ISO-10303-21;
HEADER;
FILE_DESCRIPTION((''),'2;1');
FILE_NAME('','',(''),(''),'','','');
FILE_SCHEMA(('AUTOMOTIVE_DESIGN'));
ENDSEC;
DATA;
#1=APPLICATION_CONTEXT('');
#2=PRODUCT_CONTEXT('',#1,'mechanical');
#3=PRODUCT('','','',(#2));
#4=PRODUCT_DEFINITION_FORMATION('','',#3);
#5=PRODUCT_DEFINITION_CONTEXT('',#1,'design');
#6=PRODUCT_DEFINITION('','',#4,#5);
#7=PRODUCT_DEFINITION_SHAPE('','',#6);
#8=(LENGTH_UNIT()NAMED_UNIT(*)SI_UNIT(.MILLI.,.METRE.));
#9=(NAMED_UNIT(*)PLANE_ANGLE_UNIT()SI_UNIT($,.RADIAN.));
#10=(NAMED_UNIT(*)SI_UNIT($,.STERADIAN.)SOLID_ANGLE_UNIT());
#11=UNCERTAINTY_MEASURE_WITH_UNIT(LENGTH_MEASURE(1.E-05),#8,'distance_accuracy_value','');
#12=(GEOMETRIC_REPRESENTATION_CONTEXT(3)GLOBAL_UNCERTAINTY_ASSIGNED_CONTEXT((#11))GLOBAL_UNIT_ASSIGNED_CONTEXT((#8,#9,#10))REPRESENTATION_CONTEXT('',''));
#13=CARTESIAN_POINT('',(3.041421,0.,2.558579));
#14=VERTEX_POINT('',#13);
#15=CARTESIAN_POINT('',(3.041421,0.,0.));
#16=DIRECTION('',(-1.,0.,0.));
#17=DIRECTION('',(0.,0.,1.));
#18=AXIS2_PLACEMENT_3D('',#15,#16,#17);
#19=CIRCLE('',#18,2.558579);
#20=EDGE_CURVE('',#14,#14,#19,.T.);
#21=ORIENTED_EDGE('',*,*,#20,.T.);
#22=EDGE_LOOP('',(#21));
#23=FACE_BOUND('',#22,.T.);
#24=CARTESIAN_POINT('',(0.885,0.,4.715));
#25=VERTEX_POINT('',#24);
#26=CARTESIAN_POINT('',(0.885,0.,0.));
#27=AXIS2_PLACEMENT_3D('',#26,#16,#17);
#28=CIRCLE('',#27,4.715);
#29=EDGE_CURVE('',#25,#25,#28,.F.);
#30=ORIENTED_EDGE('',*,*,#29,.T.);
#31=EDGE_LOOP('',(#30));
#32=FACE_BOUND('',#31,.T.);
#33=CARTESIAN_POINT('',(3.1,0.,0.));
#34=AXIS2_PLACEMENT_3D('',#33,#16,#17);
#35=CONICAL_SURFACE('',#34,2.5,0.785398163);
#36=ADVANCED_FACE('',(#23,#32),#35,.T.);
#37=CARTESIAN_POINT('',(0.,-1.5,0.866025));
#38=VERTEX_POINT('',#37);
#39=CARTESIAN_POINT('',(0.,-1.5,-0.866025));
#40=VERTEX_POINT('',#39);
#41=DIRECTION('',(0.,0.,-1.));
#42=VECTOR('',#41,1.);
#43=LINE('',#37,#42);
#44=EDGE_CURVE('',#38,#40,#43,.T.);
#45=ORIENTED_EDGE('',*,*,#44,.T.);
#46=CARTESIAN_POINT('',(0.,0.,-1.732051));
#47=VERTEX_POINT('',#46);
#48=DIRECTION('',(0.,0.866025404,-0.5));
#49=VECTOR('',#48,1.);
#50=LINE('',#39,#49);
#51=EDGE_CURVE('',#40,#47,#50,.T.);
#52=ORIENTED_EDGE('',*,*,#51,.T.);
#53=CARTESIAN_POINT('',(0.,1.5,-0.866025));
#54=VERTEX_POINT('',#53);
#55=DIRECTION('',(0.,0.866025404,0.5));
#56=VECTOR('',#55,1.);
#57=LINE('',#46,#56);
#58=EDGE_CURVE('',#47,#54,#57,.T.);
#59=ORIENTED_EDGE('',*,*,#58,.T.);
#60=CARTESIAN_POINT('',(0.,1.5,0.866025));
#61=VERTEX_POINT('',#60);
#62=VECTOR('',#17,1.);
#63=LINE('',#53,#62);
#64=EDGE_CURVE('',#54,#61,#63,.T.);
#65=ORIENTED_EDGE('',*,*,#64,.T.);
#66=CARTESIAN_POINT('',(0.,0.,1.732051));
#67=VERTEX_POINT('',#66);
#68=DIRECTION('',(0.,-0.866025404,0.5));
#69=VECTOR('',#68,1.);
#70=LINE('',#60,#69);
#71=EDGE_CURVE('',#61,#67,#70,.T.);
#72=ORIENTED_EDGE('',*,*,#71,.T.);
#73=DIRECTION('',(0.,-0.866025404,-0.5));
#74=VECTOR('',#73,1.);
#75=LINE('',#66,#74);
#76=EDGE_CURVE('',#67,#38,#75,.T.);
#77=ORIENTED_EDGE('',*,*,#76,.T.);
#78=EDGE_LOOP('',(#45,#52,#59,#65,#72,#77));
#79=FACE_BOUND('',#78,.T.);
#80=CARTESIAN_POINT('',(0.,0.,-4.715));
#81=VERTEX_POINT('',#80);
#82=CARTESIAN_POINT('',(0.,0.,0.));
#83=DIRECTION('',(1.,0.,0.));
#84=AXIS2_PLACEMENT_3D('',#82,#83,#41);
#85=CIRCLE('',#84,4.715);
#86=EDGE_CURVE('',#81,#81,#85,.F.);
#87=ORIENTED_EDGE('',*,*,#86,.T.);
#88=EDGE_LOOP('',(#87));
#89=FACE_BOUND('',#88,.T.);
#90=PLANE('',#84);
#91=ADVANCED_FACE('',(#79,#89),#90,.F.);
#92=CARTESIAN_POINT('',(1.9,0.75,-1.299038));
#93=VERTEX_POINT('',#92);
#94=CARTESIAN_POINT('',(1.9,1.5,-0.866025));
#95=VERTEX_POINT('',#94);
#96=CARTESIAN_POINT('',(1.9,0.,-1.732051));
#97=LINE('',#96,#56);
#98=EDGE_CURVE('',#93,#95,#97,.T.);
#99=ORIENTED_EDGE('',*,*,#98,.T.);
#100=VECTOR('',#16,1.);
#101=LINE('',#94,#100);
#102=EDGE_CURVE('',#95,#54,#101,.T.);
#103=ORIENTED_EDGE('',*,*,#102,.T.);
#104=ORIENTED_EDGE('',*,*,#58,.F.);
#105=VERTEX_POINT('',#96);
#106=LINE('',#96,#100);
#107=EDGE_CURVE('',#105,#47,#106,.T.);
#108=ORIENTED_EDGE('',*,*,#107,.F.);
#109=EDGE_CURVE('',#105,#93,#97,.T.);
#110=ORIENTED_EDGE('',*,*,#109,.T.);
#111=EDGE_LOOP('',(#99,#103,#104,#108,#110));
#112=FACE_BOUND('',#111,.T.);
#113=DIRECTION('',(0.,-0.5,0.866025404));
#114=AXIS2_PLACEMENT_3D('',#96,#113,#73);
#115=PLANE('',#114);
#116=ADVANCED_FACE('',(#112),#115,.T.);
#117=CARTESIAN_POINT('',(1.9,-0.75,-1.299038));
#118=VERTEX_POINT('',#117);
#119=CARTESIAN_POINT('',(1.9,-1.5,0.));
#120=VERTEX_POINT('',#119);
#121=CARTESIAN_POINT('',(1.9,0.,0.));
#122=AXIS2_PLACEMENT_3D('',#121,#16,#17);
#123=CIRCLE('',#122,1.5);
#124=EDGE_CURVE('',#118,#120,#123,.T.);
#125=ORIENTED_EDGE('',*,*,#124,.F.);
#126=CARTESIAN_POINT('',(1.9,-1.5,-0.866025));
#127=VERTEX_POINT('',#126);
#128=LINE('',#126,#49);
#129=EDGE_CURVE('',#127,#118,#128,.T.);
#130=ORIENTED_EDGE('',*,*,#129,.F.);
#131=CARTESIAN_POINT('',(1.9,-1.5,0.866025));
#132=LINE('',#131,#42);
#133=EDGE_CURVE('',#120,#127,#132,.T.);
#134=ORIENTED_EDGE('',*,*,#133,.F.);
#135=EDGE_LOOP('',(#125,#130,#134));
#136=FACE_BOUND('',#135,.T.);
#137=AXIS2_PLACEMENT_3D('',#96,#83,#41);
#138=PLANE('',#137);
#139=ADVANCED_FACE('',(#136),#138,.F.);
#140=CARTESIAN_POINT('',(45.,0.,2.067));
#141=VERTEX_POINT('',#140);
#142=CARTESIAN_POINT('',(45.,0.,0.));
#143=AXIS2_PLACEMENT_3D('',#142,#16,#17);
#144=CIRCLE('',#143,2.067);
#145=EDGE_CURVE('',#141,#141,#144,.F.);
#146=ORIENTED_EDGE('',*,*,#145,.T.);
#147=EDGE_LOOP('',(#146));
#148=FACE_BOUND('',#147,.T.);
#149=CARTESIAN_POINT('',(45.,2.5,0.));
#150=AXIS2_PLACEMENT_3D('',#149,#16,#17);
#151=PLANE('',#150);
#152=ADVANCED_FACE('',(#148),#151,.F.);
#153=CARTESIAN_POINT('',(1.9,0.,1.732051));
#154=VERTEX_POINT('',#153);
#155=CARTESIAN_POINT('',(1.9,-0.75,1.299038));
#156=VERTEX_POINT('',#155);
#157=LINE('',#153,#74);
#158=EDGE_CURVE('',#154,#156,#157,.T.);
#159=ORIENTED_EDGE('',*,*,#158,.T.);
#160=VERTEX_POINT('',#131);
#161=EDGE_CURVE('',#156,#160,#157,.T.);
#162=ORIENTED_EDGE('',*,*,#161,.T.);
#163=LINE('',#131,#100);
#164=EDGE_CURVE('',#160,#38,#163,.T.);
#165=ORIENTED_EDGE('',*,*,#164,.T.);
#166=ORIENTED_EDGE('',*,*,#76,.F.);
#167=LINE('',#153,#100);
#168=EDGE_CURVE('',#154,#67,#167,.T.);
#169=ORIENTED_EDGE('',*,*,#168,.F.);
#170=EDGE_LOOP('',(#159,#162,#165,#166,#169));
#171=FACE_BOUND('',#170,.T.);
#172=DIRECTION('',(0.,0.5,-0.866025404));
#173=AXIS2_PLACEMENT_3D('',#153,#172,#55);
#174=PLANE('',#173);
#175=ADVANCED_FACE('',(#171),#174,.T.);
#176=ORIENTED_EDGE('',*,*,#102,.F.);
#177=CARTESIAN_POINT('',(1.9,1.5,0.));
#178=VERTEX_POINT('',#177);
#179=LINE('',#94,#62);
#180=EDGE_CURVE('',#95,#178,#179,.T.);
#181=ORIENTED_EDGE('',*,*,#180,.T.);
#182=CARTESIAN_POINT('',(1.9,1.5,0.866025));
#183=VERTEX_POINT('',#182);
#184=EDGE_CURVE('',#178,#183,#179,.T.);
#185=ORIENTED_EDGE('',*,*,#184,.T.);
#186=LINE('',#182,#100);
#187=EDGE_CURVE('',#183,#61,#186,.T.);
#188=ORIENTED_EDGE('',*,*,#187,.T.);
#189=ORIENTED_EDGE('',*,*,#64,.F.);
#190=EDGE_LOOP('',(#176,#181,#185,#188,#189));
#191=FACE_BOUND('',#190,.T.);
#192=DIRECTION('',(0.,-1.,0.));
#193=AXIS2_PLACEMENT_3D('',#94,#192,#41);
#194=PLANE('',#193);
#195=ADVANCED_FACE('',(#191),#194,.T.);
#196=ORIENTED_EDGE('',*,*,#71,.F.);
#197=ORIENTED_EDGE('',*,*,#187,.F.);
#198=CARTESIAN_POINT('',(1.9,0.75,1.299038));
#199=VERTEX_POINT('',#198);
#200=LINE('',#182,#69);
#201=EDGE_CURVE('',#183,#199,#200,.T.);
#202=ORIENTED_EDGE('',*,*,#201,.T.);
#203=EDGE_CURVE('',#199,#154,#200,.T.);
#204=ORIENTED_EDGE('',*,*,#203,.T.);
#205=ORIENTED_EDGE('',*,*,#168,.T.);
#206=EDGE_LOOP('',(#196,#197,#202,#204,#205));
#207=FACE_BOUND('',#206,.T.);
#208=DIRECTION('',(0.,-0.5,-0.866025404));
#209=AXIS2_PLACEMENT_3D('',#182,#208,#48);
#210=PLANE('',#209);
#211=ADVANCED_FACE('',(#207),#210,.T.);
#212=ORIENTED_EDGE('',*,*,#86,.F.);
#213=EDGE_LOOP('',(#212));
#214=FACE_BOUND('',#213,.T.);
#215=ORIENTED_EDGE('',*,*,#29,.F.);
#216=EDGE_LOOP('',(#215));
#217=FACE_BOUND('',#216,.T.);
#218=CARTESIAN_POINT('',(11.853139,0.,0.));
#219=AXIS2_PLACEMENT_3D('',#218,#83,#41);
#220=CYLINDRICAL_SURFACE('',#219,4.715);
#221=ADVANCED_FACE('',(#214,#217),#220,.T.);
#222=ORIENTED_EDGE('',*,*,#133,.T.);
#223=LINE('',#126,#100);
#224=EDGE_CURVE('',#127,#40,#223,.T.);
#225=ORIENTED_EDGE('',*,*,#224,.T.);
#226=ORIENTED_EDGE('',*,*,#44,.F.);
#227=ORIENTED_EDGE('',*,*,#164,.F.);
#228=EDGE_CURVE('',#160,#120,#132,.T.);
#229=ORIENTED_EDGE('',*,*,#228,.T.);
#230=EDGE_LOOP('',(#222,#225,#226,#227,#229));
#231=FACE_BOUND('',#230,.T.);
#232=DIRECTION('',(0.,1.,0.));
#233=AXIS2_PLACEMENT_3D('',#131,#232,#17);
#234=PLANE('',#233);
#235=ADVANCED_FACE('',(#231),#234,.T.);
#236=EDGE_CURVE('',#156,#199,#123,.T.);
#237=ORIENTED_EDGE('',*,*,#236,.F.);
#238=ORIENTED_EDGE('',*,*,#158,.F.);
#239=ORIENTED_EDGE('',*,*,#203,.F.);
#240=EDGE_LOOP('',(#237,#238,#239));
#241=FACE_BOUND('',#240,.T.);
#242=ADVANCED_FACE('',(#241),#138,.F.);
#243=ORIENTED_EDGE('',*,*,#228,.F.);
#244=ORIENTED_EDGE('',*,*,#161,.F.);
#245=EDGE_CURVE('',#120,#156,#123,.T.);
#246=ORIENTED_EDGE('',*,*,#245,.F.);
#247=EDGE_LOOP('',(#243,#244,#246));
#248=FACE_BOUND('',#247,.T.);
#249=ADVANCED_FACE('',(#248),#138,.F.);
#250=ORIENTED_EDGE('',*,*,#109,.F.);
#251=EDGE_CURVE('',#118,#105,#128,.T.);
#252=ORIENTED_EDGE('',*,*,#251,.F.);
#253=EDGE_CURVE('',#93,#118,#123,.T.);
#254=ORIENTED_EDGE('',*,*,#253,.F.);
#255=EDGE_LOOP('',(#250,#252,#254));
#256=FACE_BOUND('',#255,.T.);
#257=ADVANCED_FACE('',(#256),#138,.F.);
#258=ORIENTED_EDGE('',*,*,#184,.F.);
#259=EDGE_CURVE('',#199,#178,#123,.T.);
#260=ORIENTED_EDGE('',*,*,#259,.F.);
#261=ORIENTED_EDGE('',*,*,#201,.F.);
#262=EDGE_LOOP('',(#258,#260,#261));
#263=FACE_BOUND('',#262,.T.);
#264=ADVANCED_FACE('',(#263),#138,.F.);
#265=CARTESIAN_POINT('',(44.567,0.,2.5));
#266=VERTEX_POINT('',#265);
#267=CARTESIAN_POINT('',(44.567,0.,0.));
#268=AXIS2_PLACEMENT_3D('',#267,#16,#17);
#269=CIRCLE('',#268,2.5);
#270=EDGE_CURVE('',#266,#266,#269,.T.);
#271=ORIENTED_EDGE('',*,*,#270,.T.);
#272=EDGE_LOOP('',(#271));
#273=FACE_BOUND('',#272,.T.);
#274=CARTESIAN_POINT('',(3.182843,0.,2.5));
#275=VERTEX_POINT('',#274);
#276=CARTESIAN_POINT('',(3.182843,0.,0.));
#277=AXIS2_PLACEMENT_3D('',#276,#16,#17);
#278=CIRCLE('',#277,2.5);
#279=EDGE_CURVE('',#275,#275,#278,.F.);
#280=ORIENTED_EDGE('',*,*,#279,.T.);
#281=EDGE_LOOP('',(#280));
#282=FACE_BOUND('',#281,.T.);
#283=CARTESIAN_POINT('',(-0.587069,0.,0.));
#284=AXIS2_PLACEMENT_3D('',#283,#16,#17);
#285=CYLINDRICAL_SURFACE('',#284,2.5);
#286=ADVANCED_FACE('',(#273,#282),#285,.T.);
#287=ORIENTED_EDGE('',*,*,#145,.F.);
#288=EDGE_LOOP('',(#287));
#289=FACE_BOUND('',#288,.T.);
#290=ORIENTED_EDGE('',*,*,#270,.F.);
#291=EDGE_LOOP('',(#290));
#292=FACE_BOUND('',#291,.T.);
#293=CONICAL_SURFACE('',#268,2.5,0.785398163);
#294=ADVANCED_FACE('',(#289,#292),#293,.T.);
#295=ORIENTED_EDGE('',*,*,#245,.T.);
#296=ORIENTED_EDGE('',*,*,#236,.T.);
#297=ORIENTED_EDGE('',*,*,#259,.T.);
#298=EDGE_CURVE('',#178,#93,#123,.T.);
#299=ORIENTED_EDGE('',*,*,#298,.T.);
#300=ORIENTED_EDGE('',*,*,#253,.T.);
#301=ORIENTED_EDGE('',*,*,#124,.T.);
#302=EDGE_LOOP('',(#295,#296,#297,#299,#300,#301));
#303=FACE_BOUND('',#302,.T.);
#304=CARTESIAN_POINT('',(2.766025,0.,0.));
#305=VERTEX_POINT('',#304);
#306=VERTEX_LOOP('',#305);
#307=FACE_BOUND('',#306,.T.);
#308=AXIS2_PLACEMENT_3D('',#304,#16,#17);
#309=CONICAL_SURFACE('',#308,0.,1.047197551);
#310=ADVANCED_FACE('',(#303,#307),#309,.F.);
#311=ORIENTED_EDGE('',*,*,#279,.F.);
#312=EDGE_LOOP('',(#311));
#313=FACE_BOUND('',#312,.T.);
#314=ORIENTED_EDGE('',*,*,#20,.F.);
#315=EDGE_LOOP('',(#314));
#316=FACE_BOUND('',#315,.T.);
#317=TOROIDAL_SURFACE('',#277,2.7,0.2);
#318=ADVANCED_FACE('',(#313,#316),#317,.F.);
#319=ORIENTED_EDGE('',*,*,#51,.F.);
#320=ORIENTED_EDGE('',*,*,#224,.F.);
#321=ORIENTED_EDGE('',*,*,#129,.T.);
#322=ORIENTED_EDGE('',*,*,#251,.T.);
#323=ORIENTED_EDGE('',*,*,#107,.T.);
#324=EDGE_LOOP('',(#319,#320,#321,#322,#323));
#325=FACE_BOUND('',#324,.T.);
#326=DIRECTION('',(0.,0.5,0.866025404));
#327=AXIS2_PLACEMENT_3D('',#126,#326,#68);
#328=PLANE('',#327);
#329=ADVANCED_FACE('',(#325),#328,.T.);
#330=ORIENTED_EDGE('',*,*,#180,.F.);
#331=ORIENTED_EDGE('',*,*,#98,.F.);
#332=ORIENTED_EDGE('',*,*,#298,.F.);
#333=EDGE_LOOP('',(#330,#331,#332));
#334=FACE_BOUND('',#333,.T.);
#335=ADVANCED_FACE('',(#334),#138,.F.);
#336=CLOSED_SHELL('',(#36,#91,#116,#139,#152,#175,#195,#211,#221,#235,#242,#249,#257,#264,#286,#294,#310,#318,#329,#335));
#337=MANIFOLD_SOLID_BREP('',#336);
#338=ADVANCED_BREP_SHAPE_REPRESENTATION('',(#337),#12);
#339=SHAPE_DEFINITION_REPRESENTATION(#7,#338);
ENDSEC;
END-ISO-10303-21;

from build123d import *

# Parameters (mm, degrees)
HEXAGONSOCKET_DEPTH = 1.9
HEADFILLET_R        = 0.2
CHAMFER_2_SIZE      = 0.433
SKETCH4_W           = 5
SKETCH4_H           = 5


with BuildPart() as part:
    # Sketch1 → Base (revolve)
    with BuildSketch(Plane.XY, mode=Mode.PRIVATE) as base_sk:
        Polygon((0, 0), (0, 5.6), (3.1, 2.5), (45, 2.5), (45, 0), align=None)
    revolve(base_sk.sketch.rotate(Axis((-0.587069181, 0, 0), (1, 0, 0)), 90), axis=Axis((-0.587069181, 0, 0), (1, 0, 0)))

    # Sketch2 → HexagonSocket (cut)
    with BuildSketch(Plane(origin=(0, 0, 0), x_dir=(0, 0, -1), z_dir=(1, 0, 0))):
        Polygon((1.732050808, 0), (0.866025404, 1.5), (-0.866025404, 1.5), (-1.732050808, 0), (-0.866025404, -1.5), (0.866025404, -1.5), align=None)
    extrude(amount=HEXAGONSOCKET_DEPTH, mode=Mode.SUBTRACT)

    # Sketch3 → Cut-Revolve1 (revolve, cut)
    with BuildSketch(Plane.XY, mode=Mode.PRIVATE) as cut_revolve1_sk:
        Polygon((1.9, 1.5), (2.766025404, 0), (1.9, 0), align=None)
    revolve(cut_revolve1_sk.sketch.rotate(Axis((-0.439109555, 0, 0), (1, 0, 0)), 90), axis=Axis((-0.439109555, 0, 0), (1, 0, 0)), mode=Mode.SUBTRACT)

    # HeadFillet
    headfillet_edges = [part.edges().sort_by_distance(p)[0] for p in [
        (3.1, 0, -2.5),
    ]]
    fillet(headfillet_edges, radius=HEADFILLET_R)

    # Chamfer 2
    chamfer_2_edges = [part.edges().sort_by_distance(p)[0] for p in [
        (45, 0, -2.5),
    ]]
    chamfer(chamfer_2_edges, length=CHAMFER_2_SIZE)

    # Sketch4 → Cut-Revolve2 (revolve, cut)
    with BuildSketch(Plane(origin=(0, 0, 0), x_dir=(1, 0, 0), z_dir=(0, 1, 0)), mode=Mode.PRIVATE) as cut_revolve2_sk:
        with Locations((0.5, 7.215)):
            Rectangle(SKETCH4_W, SKETCH4_H)
    revolve(cut_revolve2_sk.sketch.rotate(Axis((11.853138686, 0, 0), (-1, 0, 0)), 180), axis=Axis((11.853138686, 0, 0), (-1, 0, 0)), mode=Mode.SUBTRACT)


solid = part.part
